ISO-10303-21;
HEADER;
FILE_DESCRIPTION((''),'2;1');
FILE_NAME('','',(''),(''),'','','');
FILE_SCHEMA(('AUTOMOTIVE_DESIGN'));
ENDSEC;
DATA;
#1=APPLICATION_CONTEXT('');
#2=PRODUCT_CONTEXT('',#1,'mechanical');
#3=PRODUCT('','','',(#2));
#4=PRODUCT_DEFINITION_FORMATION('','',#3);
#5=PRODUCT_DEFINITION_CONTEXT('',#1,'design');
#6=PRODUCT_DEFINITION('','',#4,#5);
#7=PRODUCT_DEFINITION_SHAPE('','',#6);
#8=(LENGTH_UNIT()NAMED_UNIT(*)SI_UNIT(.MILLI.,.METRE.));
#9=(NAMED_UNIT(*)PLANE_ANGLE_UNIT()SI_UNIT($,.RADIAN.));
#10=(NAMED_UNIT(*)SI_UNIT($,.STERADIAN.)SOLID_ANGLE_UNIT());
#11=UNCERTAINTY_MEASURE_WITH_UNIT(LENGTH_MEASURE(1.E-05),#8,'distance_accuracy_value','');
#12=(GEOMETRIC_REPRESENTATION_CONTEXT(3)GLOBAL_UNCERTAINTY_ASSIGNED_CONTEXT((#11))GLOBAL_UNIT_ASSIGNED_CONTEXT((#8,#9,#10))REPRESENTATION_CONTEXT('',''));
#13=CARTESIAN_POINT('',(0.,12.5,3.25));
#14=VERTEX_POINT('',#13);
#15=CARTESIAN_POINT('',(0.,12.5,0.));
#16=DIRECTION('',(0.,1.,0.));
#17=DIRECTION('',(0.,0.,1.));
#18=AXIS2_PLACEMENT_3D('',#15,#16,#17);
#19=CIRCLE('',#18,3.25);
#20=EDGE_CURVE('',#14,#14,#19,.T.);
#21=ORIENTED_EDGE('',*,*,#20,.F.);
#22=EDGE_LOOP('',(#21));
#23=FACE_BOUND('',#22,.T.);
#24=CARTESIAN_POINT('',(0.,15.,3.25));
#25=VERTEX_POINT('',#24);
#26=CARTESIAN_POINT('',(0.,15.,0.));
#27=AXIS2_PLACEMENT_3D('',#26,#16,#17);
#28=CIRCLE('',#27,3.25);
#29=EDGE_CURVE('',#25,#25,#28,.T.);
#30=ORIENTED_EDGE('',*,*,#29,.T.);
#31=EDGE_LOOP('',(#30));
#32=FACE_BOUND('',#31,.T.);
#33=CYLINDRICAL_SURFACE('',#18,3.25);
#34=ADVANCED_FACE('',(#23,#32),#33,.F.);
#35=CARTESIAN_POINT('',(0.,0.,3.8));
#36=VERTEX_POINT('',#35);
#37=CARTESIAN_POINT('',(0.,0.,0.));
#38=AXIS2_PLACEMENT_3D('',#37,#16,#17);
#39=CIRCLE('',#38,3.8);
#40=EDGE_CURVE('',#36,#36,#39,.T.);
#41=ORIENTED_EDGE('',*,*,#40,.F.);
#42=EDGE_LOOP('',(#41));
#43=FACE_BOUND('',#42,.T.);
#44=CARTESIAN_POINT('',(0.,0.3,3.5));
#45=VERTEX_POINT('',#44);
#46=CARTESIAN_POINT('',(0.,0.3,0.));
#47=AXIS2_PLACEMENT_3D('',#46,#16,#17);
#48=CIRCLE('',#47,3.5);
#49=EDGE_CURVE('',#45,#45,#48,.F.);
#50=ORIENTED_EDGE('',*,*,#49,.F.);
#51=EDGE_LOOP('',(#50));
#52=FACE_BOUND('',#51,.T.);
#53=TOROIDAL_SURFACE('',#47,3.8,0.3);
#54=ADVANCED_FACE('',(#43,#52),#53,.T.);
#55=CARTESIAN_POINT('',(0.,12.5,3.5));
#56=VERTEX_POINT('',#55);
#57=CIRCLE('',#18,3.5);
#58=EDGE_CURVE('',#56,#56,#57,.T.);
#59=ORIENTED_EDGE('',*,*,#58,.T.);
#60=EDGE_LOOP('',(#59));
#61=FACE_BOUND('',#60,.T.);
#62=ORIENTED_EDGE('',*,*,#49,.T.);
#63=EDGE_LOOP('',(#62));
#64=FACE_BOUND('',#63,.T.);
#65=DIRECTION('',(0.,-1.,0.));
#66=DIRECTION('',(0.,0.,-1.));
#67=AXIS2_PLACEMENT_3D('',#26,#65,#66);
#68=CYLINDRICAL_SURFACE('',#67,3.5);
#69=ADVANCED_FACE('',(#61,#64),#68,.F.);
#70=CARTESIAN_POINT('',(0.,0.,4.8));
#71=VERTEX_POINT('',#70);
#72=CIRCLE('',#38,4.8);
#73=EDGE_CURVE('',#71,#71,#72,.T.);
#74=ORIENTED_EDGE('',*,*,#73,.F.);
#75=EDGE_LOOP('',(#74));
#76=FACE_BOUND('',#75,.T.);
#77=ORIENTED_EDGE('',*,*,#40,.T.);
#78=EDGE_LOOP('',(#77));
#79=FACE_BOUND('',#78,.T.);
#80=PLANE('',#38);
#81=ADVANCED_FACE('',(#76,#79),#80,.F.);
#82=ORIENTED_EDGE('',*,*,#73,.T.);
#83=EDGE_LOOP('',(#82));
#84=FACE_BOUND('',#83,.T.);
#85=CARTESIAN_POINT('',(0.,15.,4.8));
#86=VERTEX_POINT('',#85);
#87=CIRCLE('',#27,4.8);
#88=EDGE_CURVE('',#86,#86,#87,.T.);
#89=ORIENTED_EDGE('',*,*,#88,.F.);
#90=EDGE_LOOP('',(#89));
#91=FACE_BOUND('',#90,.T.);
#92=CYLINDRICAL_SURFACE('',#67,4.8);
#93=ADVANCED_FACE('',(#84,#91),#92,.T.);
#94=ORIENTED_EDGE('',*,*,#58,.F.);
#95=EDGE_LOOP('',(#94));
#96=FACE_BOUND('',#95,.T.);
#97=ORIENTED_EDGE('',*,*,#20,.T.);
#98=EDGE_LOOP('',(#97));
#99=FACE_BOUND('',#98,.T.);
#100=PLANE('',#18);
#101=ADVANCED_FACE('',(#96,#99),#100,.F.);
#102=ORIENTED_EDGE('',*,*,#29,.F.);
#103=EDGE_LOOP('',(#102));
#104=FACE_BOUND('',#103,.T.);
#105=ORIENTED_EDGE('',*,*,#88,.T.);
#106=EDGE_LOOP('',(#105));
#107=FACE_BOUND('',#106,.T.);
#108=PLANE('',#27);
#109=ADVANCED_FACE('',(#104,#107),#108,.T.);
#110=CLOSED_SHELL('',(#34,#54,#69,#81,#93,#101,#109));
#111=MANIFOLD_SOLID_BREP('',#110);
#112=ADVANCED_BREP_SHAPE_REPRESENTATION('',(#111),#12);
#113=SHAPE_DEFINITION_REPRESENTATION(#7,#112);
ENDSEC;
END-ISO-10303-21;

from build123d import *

# Parameters (mm, degrees)
CROQUIS1_R              = 4.8
CROQUIS1_R_2            = 3.5
SALIENTE_EXTRUIR1_DEPTH = 15
CROQUIS2_R              = 3.866185222
CROQUIS2_R_2            = 3.25
SALIENTE_EXTRUIR2_DEPTH = 2.5
REDONDEO1_R             = 0.3


with BuildPart() as part:
    # Croquis1 → Saliente-Extruir1 (new body)
    with BuildSketch(Plane(origin=(0, 0, 0), x_dir=(1, 0, 0), z_dir=(0, 1, 0))):
        with Locations(Location((0, 0, 0), (0, 0, 270))):
            Circle(CROQUIS1_R)
        with Locations(Location((0, 0, 0), (0, 0, 270))):
            Circle(CROQUIS1_R_2, mode=Mode.SUBTRACT)
    extrude(amount=SALIENTE_EXTRUIR1_DEPTH)

    # Croquis2 → Saliente-Extruir2 (add)
    with BuildSketch(Plane(origin=(0, 15, 0), x_dir=(1, 0, 0), z_dir=(0, 1, 0))):
        Circle(CROQUIS2_R)
        with Locations(Location((0, 0, 0), (0, 0, 270))):
            Circle(CROQUIS2_R_2, mode=Mode.SUBTRACT)
    extrude(amount=-SALIENTE_EXTRUIR2_DEPTH)

    # Redondeo1
    redondeo1_edges = [part.edges().sort_by_distance(p)[0] for p in [
        (0, 0, -3.5),
    ]]
    fillet(redondeo1_edges, radius=REDONDEO1_R)


solid = part.part
